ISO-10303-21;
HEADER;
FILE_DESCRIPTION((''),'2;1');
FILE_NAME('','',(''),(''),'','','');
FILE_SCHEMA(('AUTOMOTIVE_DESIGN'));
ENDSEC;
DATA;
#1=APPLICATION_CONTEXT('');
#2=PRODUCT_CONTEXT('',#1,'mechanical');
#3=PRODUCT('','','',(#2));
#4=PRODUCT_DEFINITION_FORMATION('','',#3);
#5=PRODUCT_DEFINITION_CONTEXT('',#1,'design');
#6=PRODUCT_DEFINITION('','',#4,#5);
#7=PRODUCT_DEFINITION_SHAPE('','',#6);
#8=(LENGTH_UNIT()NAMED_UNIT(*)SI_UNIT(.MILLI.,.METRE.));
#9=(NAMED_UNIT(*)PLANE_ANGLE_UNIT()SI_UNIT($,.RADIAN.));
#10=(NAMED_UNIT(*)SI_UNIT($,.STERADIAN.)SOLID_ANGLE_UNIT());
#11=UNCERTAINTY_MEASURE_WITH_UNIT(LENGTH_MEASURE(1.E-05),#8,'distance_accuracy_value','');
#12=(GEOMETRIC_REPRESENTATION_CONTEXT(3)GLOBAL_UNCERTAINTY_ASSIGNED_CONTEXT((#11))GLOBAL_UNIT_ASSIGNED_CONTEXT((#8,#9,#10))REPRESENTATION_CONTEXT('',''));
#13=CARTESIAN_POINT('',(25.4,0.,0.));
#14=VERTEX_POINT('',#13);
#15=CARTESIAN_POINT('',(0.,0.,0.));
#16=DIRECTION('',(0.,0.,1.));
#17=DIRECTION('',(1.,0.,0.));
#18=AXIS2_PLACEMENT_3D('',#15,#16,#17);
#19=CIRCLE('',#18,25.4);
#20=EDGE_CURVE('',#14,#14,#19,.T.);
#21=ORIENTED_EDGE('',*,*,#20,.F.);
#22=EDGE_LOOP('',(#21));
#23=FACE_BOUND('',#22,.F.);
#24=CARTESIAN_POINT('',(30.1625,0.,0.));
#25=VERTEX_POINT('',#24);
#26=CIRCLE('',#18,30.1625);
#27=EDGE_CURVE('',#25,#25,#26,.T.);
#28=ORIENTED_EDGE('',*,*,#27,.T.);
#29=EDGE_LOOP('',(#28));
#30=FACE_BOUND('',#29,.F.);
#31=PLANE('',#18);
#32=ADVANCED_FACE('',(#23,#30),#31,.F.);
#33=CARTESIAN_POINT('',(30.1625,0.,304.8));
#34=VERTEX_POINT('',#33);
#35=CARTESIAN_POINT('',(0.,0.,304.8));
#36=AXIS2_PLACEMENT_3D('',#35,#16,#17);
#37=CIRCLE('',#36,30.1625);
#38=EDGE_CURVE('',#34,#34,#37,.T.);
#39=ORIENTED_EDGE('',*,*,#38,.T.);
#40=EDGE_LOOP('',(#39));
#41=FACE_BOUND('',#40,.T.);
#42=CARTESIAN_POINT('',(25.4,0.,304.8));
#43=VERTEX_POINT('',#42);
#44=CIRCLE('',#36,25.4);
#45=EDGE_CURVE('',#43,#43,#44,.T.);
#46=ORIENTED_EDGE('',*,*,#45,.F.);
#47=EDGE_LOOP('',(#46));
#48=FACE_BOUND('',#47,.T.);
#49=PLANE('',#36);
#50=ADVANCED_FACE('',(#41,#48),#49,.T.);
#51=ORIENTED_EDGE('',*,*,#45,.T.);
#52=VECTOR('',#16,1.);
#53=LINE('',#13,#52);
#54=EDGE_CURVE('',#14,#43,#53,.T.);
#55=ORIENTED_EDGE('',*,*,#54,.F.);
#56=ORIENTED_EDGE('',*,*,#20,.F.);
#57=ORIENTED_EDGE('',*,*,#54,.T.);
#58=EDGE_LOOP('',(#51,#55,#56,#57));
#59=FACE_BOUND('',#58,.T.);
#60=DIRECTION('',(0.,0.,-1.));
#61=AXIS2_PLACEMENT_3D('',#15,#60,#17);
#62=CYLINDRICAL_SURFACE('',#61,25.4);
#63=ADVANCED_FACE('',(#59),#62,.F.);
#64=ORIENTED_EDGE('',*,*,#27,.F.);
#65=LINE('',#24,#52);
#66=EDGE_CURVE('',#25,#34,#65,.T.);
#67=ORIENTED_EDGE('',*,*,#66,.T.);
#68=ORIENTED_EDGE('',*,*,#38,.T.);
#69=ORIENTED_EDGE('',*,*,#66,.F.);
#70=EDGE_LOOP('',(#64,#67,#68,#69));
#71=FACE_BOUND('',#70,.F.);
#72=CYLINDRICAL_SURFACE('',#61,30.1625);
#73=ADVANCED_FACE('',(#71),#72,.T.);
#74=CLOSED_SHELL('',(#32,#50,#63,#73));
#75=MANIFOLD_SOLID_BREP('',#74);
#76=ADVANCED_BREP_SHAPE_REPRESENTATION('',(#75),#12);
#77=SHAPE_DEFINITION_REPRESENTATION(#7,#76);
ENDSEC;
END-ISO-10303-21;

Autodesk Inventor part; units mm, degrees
ref_plane "YZ Plane" through (0, 0, 0) normal (1, 0, 0) x (0, 1, 0)
ref_plane "XZ Plane" through (0, 0, 0) normal (0, 1, 0) x (-1, 0, 0)
ref_plane "XY Plane" through (0, 0, 0) normal (0, 0, 1) x (1, 0, 0)
sketch "Sketch1" plane through (0, 0, 0) normal (0, 0, 1) x (1, 0, 0)
  circle A0 centre (0, 0) radius 25.4
  circle A1 centre (0, 0) radius 30.1625
  dimension "d0" = 50.8
  dimension "d1" = 60.325
extrude "Extrusion1" add sketch "Sketch1" along normal blind 304.8
properties part number "Generic 1ft Segment" material "PVC-Piping"
